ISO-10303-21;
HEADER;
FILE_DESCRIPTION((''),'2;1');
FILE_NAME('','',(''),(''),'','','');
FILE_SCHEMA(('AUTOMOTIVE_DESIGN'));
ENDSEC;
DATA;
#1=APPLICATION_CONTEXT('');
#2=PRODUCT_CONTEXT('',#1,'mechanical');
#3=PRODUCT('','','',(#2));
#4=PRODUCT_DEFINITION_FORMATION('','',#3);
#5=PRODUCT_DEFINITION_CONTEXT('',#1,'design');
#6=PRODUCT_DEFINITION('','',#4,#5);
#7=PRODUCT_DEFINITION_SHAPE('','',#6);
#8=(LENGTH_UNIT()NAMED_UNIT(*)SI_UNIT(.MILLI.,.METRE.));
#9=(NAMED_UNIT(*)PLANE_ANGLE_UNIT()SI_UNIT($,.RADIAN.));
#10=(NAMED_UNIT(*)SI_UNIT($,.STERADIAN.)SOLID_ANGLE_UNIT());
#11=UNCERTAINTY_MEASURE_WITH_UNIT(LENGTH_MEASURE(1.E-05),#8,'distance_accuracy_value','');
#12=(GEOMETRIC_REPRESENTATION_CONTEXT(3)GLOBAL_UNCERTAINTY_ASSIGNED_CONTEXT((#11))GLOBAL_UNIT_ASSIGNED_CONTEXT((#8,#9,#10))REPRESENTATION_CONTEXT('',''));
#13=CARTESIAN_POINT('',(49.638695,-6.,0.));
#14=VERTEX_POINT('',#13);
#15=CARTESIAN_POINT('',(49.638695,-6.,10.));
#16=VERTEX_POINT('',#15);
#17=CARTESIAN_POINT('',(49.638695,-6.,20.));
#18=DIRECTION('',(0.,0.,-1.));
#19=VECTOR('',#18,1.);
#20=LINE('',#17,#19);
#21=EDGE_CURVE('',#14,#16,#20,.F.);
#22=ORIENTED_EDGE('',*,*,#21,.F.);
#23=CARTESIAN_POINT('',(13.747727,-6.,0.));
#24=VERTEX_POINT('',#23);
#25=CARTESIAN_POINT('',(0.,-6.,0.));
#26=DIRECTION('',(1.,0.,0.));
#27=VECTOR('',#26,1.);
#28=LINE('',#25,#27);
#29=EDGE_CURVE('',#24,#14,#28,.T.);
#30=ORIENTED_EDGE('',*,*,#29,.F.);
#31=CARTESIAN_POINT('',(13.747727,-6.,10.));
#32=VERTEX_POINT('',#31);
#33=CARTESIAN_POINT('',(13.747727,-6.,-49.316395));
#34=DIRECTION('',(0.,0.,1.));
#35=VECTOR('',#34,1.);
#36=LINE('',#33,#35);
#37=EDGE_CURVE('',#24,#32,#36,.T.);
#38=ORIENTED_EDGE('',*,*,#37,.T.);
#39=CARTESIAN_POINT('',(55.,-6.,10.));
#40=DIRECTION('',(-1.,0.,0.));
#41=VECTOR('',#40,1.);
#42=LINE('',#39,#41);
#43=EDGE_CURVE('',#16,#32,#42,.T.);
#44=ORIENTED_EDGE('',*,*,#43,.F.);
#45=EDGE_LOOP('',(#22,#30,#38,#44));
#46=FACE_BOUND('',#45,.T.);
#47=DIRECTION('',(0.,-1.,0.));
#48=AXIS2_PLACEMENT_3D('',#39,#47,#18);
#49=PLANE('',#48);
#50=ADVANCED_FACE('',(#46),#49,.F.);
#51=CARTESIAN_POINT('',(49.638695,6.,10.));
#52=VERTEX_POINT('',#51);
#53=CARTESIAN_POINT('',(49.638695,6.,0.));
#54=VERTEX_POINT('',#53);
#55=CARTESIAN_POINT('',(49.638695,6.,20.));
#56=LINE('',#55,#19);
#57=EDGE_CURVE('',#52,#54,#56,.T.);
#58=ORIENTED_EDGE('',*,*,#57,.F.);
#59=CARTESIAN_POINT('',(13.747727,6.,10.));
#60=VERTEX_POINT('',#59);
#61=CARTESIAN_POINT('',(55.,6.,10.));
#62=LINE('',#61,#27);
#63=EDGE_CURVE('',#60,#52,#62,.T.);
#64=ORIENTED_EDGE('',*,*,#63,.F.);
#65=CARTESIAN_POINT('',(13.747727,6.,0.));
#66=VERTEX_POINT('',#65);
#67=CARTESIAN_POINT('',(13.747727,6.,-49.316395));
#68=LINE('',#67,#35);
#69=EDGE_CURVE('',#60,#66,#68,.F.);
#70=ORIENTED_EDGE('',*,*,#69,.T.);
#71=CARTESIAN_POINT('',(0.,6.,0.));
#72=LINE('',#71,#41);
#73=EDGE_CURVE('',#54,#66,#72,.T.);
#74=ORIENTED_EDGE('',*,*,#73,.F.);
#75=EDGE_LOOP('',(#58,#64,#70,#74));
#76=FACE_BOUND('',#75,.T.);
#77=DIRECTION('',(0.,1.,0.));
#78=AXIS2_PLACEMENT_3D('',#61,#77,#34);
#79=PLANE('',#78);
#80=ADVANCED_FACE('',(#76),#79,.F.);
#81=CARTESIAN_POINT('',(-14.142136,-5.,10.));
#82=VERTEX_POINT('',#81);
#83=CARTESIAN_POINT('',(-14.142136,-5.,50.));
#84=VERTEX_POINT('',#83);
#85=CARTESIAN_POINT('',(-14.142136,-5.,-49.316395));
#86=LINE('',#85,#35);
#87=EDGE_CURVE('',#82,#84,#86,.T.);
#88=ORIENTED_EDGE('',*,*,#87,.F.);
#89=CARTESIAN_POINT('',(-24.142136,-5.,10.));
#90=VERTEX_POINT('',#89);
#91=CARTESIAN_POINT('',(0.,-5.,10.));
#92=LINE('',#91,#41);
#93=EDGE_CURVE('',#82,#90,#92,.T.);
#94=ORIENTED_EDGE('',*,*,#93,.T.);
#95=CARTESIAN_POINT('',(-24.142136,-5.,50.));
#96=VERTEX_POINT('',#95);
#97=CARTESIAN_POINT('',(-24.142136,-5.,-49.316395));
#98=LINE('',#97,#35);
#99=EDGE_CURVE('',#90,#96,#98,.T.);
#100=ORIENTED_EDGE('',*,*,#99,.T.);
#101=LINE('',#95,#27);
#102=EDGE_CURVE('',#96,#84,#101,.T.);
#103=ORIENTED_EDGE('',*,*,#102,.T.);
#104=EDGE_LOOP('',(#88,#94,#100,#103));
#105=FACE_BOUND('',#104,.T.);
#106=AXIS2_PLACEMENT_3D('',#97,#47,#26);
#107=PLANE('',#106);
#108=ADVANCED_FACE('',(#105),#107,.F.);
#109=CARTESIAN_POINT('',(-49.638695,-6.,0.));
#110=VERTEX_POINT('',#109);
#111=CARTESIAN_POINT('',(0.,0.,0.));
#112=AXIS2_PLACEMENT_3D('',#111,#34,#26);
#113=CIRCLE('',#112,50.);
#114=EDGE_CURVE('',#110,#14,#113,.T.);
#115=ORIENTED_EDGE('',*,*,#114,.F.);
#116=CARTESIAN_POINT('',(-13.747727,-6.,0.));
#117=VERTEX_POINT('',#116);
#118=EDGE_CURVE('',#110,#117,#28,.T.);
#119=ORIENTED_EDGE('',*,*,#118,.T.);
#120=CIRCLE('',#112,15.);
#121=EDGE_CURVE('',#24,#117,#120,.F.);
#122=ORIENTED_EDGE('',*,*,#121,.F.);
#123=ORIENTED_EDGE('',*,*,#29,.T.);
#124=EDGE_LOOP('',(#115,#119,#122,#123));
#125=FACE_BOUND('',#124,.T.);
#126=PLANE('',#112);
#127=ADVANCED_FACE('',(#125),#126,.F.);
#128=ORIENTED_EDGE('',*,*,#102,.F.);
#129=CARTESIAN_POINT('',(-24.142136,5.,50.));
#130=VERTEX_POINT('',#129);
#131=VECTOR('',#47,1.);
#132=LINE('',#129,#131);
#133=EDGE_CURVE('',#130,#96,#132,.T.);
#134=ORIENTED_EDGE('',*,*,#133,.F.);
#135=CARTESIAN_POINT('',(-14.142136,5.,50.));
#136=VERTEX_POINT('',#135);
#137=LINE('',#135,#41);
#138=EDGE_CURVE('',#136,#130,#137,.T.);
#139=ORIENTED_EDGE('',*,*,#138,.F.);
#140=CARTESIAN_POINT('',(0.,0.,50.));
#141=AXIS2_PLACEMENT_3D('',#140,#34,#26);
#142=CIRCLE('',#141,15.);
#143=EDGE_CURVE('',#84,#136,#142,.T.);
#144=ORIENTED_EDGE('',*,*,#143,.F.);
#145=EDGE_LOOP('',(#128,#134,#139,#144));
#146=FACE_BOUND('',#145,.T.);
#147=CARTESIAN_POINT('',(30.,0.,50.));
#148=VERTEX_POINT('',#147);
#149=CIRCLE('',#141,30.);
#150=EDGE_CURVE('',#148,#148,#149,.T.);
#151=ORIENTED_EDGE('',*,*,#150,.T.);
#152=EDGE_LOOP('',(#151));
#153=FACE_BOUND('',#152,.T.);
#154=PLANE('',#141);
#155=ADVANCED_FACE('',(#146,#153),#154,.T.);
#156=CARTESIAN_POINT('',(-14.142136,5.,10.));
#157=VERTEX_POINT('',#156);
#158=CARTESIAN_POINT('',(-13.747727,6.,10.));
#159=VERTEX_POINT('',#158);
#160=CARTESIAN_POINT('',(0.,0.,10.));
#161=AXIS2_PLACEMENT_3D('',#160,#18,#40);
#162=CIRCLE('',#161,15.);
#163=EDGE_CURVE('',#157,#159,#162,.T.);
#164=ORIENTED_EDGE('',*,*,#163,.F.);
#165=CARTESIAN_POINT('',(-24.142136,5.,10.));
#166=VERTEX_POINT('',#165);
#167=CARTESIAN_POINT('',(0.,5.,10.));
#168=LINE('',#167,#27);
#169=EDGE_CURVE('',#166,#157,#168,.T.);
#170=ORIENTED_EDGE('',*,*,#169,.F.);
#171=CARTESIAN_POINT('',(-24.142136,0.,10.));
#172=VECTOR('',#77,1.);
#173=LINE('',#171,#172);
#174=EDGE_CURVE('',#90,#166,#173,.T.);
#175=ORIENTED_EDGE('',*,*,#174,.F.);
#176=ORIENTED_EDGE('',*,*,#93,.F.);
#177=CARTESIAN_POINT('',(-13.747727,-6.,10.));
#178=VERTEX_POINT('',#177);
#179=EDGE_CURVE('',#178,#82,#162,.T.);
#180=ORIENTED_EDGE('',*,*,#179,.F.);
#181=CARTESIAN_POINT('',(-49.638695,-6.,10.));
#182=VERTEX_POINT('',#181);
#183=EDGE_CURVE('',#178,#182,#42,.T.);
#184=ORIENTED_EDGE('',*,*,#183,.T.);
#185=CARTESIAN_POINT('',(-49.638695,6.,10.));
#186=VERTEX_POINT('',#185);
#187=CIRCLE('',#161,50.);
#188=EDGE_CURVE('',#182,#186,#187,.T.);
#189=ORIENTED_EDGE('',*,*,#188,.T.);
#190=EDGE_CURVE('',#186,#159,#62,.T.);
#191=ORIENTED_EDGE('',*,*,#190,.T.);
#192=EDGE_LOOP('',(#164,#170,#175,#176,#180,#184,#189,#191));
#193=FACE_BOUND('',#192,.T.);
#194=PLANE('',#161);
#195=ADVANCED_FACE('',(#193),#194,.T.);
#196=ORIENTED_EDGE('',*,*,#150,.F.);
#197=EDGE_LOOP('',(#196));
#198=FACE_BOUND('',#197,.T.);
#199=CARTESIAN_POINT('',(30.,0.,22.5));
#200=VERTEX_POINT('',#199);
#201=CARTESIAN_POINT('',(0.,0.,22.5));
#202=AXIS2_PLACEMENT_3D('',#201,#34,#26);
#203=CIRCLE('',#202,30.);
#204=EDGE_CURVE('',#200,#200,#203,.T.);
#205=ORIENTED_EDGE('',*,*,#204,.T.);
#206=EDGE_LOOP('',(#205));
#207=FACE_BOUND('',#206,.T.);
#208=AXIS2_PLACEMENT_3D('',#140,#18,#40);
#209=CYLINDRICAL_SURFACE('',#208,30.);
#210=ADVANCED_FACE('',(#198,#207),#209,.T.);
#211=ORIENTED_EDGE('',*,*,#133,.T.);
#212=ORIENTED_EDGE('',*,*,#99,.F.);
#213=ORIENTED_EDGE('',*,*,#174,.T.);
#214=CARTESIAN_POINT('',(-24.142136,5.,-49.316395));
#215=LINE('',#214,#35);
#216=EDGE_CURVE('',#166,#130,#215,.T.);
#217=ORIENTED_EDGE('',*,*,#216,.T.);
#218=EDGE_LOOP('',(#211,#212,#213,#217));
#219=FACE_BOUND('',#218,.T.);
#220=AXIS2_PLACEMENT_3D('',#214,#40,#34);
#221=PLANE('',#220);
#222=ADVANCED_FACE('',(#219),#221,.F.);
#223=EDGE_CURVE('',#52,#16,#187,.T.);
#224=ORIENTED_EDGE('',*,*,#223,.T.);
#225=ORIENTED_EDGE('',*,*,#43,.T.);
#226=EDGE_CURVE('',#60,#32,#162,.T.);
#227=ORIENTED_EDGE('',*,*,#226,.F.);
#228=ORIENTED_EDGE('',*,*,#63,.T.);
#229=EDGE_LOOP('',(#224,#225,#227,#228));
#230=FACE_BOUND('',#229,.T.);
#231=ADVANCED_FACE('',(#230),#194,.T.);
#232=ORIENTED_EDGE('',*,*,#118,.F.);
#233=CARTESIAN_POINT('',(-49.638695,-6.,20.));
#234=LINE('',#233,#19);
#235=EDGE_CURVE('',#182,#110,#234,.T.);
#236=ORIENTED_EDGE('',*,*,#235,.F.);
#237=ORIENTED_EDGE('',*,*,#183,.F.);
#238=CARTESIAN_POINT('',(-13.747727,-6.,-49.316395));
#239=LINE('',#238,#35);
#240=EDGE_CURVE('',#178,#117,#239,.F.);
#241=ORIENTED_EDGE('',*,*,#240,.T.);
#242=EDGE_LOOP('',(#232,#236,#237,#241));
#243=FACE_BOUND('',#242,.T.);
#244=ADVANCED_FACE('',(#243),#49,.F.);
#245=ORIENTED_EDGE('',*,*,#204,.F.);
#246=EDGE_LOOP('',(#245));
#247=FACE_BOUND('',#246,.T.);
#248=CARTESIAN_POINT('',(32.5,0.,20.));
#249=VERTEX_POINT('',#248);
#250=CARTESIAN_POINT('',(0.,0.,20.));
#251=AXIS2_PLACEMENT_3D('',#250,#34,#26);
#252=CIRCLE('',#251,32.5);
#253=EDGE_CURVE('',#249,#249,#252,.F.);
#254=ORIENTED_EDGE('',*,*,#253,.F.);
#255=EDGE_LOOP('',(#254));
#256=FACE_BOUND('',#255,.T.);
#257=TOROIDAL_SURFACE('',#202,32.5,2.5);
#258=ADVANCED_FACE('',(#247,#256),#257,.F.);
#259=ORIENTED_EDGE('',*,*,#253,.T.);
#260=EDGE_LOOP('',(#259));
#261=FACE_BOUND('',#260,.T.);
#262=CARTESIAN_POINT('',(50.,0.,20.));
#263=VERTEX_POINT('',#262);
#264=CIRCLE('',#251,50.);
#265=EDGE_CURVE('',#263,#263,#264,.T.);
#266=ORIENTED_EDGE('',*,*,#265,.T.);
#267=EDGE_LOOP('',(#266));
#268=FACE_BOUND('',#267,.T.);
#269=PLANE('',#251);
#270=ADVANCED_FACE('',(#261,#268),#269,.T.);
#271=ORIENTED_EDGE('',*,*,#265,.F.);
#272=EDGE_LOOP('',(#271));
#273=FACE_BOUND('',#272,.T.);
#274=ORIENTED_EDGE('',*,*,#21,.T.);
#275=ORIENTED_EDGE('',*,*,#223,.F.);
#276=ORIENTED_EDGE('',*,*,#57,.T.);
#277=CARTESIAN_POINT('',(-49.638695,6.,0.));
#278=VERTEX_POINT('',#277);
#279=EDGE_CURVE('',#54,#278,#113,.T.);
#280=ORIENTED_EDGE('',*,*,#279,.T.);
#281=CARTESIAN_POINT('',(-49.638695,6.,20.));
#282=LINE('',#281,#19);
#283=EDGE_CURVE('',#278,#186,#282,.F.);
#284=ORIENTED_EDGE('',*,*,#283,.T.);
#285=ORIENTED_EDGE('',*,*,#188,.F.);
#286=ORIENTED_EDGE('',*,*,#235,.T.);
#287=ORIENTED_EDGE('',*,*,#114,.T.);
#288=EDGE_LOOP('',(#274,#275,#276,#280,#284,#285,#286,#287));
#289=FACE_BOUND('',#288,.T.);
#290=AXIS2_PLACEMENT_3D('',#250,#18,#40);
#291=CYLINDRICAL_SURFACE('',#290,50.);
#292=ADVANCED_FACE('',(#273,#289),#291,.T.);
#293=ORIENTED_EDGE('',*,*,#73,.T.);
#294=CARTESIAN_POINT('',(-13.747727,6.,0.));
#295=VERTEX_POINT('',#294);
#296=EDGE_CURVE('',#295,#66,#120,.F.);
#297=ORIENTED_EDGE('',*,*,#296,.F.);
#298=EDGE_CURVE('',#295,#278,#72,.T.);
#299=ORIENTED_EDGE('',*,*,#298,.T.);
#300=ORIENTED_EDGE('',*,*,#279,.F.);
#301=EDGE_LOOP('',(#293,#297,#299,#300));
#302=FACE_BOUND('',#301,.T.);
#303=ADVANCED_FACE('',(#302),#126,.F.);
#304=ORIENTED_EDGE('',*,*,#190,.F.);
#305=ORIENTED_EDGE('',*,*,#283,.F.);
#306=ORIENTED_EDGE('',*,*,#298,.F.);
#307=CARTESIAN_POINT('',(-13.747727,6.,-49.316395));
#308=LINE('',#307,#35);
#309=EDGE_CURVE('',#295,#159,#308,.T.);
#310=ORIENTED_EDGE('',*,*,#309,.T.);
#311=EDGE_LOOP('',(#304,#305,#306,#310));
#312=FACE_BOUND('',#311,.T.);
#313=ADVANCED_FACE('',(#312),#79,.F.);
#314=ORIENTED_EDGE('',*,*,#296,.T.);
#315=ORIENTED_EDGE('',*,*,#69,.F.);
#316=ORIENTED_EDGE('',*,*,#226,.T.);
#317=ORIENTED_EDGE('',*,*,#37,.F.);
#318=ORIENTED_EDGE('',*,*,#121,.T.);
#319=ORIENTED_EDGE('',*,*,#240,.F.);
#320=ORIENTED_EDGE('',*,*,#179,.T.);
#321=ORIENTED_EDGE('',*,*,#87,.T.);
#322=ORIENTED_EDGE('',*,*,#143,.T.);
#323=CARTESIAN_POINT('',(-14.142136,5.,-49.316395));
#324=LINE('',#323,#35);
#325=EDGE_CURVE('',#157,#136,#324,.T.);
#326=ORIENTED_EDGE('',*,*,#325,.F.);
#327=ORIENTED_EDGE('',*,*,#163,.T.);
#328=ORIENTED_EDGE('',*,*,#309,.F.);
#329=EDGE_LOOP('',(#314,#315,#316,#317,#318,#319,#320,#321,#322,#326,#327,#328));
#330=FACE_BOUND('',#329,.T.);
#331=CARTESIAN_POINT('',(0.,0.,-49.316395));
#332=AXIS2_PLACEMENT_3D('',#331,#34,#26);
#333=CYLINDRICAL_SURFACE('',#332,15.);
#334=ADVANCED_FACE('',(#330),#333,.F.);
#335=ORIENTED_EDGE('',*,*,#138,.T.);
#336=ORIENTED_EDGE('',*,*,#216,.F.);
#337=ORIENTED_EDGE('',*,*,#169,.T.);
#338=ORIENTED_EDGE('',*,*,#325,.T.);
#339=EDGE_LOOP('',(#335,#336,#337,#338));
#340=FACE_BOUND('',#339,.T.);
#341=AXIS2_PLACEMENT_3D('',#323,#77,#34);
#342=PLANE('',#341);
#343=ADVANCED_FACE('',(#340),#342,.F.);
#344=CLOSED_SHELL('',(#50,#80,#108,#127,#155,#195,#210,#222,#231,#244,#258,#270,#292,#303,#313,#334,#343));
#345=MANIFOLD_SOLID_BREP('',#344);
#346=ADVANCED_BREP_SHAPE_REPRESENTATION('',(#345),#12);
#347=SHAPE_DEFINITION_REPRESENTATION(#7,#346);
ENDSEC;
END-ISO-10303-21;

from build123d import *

# Parameters (mm, degrees)
SKETCH2_R           = 50
BOSS_EXTRUDE1_DEPTH = 20
SKETCH3_R           = 30
BOSS_EXTRUDE2_DEPTH = 30
FILLET1_R           = 2.5
SKETCH4_W           = 110
SKETCH4_H           = 12
CUT_EXTRUDE1_DEPTH  = 10
CUT_EXTRUDE2_REACH  = 88.603


with BuildPart() as part:
    # Sketch2 → Boss-Extrude1 (new body)
    with BuildSketch(Plane.XY):
        Circle(SKETCH2_R)
    extrude(amount=BOSS_EXTRUDE1_DEPTH)

    # Sketch3 → Boss-Extrude2 (add)
    with BuildSketch(Plane.XY.offset(20)):
        Circle(SKETCH3_R)
    extrude(amount=BOSS_EXTRUDE2_DEPTH)

    # Fillet1
    fillet1_edges = [part.edges().sort_by_distance(p)[0] for p in [
        (-30, 0, 20),
    ]]
    fillet(fillet1_edges, radius=FILLET1_R)

    # Sketch4 → Cut-Extrude1 (cut)
    with BuildSketch(Plane(origin=(0, 0, 0), x_dir=(-1, 0, 0), z_dir=(0, 0, -1))):
        Rectangle(SKETCH4_W, SKETCH4_H)
    extrude(amount=-CUT_EXTRUDE1_DEPTH, mode=Mode.SUBTRACT)

    # Cut-Extrude2: up to this face of the body (flat: up to its plane)
    cut_extrude2_end = Plane(part.part.faces().sort_by_distance((0, 24.497956202, 0))[0])
    # Sketch5 → Cut-Extrude2 (cut, up to the picked face)
    with BuildSketch(Plane.XY.offset(50), mode=Mode.PRIVATE) as cut_extrude2_sk1:
        with BuildLine():
            Line((-14.142135624, 5), (-24.142135624, 5))
            Line((-24.142135624, 5), (-24.142135624, -5))
            Line((-24.142135624, -5), (-14.142135624, -5))
            ThreePointArc((-14.142135624, -5), (15, 0), (-14.142135624, 5))
        make_face()
    cut_extrude2_tool1 = split(extrude(cut_extrude2_sk1.sketch, amount=-CUT_EXTRUDE2_REACH, mode=Mode.PRIVATE), bisect_by=cut_extrude2_end, keep=Keep.BOTH, mode=Mode.PRIVATE)
    add(cut_extrude2_tool1.solids().sort_by(Axis((-2.285441, 0, 50), (0, 0, -1)))[0], mode=Mode.SUBTRACT)


solid = part.part
